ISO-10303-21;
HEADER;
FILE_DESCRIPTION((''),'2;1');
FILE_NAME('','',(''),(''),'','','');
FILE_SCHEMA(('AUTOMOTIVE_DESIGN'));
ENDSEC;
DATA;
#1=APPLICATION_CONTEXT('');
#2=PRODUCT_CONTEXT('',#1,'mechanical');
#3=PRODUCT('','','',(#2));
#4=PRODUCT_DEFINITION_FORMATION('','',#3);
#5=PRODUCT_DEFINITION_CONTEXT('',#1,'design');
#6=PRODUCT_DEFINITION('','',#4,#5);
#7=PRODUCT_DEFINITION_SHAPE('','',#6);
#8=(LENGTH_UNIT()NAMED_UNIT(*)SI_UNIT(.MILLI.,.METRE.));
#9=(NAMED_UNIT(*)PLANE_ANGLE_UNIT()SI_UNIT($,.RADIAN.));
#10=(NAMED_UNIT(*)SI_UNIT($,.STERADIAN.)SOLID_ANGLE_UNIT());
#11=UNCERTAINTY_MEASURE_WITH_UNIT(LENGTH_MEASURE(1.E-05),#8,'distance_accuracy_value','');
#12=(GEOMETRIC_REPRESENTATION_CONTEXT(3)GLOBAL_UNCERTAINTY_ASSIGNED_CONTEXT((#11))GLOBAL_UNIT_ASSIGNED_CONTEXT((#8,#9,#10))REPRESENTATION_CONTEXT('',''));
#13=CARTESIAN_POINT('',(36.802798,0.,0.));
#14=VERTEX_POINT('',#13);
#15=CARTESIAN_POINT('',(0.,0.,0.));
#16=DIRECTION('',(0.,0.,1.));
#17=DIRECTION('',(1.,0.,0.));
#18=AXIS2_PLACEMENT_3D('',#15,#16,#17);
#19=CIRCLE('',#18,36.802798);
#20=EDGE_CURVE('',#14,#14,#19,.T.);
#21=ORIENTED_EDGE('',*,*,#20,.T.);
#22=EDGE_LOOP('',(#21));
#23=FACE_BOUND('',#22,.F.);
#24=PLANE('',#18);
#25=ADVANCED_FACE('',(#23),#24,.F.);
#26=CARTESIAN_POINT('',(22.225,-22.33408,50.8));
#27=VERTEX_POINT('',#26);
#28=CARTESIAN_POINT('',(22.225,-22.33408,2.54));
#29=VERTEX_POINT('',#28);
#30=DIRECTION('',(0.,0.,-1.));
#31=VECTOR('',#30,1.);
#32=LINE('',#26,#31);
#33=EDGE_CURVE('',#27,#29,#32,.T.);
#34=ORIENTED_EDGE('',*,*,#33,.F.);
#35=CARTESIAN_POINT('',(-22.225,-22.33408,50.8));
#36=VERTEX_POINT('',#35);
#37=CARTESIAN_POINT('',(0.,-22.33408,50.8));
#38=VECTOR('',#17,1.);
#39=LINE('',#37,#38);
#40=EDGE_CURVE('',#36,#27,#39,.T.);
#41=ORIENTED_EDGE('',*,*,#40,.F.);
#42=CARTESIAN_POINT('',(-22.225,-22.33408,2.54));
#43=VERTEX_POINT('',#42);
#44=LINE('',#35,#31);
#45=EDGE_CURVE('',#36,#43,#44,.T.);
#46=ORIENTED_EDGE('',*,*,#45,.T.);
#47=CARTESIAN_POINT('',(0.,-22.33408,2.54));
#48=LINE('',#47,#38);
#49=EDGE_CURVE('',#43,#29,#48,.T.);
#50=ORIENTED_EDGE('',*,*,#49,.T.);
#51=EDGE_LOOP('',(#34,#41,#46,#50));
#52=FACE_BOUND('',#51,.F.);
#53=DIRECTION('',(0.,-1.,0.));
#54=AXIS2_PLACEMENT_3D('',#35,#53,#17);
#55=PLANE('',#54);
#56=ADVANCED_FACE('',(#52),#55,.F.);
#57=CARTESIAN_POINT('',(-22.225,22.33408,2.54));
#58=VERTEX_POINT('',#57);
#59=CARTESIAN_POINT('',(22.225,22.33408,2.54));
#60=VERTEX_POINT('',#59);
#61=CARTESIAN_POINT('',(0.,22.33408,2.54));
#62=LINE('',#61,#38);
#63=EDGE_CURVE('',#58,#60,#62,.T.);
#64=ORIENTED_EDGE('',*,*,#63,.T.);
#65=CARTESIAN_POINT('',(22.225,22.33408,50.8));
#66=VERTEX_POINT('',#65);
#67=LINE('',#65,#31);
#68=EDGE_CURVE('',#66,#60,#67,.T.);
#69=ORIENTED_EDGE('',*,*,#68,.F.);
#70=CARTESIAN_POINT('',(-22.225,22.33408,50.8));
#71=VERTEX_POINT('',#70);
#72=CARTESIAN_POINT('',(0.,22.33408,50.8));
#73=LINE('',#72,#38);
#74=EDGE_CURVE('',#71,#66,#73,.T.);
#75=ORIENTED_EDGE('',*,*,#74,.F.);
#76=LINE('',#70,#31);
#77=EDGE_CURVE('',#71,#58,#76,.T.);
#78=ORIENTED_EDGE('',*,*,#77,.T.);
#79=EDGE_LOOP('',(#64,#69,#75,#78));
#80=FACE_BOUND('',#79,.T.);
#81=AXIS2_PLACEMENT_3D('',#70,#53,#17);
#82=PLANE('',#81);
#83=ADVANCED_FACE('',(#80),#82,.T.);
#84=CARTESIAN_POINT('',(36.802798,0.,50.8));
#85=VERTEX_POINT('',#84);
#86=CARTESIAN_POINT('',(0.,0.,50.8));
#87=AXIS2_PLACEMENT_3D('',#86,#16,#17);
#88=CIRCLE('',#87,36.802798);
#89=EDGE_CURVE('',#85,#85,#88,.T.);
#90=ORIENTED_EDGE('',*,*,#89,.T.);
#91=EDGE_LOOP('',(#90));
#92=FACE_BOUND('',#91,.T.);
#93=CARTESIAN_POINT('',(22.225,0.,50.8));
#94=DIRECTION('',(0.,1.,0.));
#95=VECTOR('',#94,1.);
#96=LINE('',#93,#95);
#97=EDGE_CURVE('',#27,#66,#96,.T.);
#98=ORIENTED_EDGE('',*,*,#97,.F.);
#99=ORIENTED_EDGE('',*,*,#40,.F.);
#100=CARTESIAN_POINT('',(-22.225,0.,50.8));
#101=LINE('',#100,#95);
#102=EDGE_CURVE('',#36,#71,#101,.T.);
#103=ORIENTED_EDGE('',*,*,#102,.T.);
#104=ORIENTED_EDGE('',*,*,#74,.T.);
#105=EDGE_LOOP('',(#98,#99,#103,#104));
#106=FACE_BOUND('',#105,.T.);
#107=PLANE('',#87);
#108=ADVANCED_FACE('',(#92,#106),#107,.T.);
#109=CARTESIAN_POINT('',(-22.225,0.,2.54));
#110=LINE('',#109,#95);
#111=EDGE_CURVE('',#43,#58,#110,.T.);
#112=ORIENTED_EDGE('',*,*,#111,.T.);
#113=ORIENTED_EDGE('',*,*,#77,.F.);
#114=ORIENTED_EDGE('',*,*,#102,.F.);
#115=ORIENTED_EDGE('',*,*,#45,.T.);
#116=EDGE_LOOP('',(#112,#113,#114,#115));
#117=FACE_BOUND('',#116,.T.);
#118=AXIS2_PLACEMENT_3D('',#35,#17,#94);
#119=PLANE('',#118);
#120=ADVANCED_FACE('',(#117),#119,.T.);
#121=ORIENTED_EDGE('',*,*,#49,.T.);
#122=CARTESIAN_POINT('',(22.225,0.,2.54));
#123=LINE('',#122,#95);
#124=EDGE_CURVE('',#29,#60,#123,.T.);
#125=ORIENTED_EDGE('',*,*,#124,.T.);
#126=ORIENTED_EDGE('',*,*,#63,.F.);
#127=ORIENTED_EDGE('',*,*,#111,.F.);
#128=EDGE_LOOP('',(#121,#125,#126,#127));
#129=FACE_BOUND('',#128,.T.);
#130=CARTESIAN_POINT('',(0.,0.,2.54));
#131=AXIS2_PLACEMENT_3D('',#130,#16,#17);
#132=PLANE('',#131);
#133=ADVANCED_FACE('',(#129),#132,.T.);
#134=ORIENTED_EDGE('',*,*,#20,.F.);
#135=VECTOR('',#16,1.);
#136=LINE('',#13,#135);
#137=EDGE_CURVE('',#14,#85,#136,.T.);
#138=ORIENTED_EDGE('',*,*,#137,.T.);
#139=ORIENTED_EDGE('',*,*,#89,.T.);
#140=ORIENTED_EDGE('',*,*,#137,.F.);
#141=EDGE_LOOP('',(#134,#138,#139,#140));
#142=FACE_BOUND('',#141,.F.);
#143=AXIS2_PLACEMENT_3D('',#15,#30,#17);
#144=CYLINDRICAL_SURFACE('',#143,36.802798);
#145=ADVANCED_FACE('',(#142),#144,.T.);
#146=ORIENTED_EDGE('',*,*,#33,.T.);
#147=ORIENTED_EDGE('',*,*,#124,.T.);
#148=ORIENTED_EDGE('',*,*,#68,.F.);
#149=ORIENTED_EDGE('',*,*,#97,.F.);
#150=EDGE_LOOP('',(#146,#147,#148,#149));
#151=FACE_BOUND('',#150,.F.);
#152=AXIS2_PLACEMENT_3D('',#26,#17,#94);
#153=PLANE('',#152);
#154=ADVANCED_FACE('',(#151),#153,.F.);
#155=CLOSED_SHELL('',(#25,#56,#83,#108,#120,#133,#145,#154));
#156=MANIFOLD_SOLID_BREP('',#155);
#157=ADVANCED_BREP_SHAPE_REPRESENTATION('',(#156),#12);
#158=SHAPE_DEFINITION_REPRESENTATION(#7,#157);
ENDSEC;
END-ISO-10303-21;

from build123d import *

# Parameters (mm, degrees)
F0_W     = 50.8
F0_H     = 50.8
F1_DEPTH = 50.8
F2_W     = 44.45
F2_H     = 44.66816
F3_DEPTH = 48.26
F4_R     = 36.802798
F5_DEPTH = 50.8
F7_DEPTH = 48.26


with BuildPart() as f1:
    # F0 (on Top) → F1 (new body)
    with BuildSketch(Plane.XY):
        Rectangle(F0_W, F0_H)
    extrude(amount=F1_DEPTH)

    # F2 (on face) → F3 (cut)
    with BuildSketch(Plane.XY.offset(50.8)):
        Rectangle(F2_W, F2_H)
    extrude(amount=-F3_DEPTH, mode=Mode.SUBTRACT)

    # F4 (on Top) → F5 (join)
    with BuildSketch(Plane.XY):
        Circle(F4_R)
    extrude(amount=F5_DEPTH)

    # F2 (on face) → F7 (cut)
    with BuildSketch(Plane.XY.offset(50.8)):
        Rectangle(F2_W, F2_H)
    extrude(amount=-F7_DEPTH, mode=Mode.SUBTRACT)


solid = f1.part
